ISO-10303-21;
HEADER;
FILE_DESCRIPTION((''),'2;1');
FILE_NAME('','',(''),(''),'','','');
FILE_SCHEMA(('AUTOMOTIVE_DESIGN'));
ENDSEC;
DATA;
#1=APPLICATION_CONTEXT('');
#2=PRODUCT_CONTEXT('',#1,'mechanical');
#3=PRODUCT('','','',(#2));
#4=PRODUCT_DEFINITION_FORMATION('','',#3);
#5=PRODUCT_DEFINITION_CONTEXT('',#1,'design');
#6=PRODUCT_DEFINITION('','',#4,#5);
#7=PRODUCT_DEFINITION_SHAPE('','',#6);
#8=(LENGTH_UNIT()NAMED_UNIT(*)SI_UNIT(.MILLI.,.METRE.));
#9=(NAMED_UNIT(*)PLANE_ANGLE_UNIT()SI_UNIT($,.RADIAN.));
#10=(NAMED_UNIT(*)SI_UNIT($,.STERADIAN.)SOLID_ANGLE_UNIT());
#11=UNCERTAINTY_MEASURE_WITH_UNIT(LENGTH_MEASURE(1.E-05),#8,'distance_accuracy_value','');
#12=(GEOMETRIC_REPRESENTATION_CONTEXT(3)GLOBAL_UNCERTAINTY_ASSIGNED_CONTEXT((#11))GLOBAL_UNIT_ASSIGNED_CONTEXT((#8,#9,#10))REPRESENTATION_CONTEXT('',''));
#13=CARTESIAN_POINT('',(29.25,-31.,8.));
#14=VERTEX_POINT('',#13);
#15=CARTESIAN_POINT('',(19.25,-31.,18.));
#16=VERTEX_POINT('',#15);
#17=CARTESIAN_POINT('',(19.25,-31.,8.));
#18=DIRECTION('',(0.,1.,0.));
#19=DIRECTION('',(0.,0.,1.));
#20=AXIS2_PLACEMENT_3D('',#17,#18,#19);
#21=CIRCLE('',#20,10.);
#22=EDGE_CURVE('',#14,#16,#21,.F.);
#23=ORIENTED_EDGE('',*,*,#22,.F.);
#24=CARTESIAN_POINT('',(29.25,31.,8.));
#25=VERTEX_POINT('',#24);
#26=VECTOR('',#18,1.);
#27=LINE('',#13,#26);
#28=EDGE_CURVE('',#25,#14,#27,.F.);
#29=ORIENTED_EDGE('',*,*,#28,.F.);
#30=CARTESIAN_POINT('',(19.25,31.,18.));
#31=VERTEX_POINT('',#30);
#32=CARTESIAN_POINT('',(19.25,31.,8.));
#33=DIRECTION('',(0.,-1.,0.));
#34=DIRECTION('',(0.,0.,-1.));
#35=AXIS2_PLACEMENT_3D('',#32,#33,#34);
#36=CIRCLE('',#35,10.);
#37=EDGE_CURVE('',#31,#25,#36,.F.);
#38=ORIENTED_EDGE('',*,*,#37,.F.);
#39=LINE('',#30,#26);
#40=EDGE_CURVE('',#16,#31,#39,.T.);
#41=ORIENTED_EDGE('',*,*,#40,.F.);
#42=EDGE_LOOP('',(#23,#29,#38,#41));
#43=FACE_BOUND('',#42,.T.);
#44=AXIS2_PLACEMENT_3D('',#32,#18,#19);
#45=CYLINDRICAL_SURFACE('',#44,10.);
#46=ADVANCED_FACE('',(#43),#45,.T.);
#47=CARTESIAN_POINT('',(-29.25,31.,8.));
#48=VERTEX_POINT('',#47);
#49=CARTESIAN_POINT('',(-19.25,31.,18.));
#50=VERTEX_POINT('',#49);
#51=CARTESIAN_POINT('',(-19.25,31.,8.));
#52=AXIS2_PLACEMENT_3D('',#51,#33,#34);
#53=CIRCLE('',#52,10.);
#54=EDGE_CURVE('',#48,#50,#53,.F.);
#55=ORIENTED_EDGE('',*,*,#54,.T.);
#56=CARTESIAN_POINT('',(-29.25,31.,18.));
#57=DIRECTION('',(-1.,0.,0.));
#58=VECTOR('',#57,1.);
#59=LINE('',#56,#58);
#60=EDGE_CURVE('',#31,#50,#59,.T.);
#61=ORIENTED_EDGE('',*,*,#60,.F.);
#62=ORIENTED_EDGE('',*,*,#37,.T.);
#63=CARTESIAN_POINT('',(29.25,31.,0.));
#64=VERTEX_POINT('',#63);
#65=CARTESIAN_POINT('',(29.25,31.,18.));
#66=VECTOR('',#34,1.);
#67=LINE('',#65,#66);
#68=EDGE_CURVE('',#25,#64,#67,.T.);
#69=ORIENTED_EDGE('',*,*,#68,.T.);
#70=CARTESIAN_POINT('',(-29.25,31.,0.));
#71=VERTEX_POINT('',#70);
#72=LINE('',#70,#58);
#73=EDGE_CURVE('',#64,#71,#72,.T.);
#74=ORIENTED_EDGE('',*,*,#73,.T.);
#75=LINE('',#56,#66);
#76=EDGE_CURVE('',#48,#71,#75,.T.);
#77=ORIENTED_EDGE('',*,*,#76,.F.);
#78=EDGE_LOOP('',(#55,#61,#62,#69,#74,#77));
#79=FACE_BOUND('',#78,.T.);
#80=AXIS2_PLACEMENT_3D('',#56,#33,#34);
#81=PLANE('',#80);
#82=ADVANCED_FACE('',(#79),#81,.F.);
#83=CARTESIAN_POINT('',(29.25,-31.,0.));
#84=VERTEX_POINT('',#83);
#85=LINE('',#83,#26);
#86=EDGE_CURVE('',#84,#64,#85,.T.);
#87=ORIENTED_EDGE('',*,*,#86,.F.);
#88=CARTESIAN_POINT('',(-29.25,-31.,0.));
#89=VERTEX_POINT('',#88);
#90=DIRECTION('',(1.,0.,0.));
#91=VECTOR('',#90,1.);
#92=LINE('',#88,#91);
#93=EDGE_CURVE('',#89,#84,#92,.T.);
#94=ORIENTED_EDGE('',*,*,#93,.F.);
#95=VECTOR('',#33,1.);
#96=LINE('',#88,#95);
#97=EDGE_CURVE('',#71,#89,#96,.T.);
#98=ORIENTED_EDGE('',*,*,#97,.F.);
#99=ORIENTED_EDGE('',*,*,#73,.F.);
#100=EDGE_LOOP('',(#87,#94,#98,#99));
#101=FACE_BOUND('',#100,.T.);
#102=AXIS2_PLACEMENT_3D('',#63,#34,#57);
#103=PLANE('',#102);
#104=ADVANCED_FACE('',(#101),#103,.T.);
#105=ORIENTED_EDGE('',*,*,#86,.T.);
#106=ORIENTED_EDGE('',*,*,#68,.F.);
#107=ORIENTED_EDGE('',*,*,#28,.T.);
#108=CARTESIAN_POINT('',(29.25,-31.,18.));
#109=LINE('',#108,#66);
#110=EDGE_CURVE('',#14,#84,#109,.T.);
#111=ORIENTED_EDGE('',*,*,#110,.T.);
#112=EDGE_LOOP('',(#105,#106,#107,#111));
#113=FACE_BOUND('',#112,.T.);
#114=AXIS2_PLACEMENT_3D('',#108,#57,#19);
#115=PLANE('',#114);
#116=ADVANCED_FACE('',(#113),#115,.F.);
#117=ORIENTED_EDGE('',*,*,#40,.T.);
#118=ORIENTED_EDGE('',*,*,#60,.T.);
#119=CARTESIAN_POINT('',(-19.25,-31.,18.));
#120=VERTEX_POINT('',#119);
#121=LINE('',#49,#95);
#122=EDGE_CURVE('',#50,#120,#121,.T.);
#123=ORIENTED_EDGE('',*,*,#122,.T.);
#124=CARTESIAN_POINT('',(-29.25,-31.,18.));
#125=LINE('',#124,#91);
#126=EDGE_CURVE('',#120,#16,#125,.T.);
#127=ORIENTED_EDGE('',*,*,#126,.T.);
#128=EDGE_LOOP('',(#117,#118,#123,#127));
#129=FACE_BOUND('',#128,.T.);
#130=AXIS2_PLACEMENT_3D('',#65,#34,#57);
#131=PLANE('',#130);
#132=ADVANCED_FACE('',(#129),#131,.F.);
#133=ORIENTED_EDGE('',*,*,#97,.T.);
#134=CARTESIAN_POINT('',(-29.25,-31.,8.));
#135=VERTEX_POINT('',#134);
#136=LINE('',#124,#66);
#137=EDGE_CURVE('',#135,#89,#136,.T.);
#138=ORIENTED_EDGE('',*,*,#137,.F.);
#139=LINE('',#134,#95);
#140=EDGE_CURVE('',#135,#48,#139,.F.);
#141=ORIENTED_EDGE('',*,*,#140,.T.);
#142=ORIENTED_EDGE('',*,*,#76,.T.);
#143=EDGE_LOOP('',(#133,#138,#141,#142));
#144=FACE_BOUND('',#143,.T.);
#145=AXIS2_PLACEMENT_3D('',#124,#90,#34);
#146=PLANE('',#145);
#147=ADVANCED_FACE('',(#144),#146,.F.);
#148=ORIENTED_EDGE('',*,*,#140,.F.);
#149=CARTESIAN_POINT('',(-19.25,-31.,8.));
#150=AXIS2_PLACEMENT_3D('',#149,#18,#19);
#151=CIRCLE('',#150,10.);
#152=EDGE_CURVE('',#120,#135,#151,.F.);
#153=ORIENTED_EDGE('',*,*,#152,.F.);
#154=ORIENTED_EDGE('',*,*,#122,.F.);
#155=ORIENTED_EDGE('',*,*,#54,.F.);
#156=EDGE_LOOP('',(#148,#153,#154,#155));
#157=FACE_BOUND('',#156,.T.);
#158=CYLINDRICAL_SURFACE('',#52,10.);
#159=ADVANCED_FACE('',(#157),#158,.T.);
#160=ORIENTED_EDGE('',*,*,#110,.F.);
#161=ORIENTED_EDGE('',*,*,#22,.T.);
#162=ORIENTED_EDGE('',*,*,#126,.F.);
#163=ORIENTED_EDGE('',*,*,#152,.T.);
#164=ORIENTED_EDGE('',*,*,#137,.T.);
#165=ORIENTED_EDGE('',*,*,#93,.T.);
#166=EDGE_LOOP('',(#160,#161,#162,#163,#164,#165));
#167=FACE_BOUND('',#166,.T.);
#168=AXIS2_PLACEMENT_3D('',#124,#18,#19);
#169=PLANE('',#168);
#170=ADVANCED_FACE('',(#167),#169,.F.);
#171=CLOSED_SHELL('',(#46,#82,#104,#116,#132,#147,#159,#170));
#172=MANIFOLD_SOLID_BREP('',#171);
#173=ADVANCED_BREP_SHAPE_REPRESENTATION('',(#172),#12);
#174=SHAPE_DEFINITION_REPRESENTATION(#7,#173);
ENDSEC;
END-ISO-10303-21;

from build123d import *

# Parameters (mm, degrees)
SKETCH1_W           = 58.5
SKETCH1_H           = 62
BOSS_EXTRUDE1_DEPTH = 18
FILLET1_R           = 10


with BuildPart() as part:
    # Sketch1 → Boss-Extrude1 (new body)
    with BuildSketch(Plane.XY):
        Rectangle(SKETCH1_W, SKETCH1_H)
    extrude(amount=BOSS_EXTRUDE1_DEPTH)

    # Fillet1
    fillet1_edges = [part.edges().sort_by_distance(p)[0] for p in [
        (-29.25, 0, 18),
        (29.25, 0, 18),
    ]]
    fillet(fillet1_edges, radius=FILLET1_R)


solid = part.part
